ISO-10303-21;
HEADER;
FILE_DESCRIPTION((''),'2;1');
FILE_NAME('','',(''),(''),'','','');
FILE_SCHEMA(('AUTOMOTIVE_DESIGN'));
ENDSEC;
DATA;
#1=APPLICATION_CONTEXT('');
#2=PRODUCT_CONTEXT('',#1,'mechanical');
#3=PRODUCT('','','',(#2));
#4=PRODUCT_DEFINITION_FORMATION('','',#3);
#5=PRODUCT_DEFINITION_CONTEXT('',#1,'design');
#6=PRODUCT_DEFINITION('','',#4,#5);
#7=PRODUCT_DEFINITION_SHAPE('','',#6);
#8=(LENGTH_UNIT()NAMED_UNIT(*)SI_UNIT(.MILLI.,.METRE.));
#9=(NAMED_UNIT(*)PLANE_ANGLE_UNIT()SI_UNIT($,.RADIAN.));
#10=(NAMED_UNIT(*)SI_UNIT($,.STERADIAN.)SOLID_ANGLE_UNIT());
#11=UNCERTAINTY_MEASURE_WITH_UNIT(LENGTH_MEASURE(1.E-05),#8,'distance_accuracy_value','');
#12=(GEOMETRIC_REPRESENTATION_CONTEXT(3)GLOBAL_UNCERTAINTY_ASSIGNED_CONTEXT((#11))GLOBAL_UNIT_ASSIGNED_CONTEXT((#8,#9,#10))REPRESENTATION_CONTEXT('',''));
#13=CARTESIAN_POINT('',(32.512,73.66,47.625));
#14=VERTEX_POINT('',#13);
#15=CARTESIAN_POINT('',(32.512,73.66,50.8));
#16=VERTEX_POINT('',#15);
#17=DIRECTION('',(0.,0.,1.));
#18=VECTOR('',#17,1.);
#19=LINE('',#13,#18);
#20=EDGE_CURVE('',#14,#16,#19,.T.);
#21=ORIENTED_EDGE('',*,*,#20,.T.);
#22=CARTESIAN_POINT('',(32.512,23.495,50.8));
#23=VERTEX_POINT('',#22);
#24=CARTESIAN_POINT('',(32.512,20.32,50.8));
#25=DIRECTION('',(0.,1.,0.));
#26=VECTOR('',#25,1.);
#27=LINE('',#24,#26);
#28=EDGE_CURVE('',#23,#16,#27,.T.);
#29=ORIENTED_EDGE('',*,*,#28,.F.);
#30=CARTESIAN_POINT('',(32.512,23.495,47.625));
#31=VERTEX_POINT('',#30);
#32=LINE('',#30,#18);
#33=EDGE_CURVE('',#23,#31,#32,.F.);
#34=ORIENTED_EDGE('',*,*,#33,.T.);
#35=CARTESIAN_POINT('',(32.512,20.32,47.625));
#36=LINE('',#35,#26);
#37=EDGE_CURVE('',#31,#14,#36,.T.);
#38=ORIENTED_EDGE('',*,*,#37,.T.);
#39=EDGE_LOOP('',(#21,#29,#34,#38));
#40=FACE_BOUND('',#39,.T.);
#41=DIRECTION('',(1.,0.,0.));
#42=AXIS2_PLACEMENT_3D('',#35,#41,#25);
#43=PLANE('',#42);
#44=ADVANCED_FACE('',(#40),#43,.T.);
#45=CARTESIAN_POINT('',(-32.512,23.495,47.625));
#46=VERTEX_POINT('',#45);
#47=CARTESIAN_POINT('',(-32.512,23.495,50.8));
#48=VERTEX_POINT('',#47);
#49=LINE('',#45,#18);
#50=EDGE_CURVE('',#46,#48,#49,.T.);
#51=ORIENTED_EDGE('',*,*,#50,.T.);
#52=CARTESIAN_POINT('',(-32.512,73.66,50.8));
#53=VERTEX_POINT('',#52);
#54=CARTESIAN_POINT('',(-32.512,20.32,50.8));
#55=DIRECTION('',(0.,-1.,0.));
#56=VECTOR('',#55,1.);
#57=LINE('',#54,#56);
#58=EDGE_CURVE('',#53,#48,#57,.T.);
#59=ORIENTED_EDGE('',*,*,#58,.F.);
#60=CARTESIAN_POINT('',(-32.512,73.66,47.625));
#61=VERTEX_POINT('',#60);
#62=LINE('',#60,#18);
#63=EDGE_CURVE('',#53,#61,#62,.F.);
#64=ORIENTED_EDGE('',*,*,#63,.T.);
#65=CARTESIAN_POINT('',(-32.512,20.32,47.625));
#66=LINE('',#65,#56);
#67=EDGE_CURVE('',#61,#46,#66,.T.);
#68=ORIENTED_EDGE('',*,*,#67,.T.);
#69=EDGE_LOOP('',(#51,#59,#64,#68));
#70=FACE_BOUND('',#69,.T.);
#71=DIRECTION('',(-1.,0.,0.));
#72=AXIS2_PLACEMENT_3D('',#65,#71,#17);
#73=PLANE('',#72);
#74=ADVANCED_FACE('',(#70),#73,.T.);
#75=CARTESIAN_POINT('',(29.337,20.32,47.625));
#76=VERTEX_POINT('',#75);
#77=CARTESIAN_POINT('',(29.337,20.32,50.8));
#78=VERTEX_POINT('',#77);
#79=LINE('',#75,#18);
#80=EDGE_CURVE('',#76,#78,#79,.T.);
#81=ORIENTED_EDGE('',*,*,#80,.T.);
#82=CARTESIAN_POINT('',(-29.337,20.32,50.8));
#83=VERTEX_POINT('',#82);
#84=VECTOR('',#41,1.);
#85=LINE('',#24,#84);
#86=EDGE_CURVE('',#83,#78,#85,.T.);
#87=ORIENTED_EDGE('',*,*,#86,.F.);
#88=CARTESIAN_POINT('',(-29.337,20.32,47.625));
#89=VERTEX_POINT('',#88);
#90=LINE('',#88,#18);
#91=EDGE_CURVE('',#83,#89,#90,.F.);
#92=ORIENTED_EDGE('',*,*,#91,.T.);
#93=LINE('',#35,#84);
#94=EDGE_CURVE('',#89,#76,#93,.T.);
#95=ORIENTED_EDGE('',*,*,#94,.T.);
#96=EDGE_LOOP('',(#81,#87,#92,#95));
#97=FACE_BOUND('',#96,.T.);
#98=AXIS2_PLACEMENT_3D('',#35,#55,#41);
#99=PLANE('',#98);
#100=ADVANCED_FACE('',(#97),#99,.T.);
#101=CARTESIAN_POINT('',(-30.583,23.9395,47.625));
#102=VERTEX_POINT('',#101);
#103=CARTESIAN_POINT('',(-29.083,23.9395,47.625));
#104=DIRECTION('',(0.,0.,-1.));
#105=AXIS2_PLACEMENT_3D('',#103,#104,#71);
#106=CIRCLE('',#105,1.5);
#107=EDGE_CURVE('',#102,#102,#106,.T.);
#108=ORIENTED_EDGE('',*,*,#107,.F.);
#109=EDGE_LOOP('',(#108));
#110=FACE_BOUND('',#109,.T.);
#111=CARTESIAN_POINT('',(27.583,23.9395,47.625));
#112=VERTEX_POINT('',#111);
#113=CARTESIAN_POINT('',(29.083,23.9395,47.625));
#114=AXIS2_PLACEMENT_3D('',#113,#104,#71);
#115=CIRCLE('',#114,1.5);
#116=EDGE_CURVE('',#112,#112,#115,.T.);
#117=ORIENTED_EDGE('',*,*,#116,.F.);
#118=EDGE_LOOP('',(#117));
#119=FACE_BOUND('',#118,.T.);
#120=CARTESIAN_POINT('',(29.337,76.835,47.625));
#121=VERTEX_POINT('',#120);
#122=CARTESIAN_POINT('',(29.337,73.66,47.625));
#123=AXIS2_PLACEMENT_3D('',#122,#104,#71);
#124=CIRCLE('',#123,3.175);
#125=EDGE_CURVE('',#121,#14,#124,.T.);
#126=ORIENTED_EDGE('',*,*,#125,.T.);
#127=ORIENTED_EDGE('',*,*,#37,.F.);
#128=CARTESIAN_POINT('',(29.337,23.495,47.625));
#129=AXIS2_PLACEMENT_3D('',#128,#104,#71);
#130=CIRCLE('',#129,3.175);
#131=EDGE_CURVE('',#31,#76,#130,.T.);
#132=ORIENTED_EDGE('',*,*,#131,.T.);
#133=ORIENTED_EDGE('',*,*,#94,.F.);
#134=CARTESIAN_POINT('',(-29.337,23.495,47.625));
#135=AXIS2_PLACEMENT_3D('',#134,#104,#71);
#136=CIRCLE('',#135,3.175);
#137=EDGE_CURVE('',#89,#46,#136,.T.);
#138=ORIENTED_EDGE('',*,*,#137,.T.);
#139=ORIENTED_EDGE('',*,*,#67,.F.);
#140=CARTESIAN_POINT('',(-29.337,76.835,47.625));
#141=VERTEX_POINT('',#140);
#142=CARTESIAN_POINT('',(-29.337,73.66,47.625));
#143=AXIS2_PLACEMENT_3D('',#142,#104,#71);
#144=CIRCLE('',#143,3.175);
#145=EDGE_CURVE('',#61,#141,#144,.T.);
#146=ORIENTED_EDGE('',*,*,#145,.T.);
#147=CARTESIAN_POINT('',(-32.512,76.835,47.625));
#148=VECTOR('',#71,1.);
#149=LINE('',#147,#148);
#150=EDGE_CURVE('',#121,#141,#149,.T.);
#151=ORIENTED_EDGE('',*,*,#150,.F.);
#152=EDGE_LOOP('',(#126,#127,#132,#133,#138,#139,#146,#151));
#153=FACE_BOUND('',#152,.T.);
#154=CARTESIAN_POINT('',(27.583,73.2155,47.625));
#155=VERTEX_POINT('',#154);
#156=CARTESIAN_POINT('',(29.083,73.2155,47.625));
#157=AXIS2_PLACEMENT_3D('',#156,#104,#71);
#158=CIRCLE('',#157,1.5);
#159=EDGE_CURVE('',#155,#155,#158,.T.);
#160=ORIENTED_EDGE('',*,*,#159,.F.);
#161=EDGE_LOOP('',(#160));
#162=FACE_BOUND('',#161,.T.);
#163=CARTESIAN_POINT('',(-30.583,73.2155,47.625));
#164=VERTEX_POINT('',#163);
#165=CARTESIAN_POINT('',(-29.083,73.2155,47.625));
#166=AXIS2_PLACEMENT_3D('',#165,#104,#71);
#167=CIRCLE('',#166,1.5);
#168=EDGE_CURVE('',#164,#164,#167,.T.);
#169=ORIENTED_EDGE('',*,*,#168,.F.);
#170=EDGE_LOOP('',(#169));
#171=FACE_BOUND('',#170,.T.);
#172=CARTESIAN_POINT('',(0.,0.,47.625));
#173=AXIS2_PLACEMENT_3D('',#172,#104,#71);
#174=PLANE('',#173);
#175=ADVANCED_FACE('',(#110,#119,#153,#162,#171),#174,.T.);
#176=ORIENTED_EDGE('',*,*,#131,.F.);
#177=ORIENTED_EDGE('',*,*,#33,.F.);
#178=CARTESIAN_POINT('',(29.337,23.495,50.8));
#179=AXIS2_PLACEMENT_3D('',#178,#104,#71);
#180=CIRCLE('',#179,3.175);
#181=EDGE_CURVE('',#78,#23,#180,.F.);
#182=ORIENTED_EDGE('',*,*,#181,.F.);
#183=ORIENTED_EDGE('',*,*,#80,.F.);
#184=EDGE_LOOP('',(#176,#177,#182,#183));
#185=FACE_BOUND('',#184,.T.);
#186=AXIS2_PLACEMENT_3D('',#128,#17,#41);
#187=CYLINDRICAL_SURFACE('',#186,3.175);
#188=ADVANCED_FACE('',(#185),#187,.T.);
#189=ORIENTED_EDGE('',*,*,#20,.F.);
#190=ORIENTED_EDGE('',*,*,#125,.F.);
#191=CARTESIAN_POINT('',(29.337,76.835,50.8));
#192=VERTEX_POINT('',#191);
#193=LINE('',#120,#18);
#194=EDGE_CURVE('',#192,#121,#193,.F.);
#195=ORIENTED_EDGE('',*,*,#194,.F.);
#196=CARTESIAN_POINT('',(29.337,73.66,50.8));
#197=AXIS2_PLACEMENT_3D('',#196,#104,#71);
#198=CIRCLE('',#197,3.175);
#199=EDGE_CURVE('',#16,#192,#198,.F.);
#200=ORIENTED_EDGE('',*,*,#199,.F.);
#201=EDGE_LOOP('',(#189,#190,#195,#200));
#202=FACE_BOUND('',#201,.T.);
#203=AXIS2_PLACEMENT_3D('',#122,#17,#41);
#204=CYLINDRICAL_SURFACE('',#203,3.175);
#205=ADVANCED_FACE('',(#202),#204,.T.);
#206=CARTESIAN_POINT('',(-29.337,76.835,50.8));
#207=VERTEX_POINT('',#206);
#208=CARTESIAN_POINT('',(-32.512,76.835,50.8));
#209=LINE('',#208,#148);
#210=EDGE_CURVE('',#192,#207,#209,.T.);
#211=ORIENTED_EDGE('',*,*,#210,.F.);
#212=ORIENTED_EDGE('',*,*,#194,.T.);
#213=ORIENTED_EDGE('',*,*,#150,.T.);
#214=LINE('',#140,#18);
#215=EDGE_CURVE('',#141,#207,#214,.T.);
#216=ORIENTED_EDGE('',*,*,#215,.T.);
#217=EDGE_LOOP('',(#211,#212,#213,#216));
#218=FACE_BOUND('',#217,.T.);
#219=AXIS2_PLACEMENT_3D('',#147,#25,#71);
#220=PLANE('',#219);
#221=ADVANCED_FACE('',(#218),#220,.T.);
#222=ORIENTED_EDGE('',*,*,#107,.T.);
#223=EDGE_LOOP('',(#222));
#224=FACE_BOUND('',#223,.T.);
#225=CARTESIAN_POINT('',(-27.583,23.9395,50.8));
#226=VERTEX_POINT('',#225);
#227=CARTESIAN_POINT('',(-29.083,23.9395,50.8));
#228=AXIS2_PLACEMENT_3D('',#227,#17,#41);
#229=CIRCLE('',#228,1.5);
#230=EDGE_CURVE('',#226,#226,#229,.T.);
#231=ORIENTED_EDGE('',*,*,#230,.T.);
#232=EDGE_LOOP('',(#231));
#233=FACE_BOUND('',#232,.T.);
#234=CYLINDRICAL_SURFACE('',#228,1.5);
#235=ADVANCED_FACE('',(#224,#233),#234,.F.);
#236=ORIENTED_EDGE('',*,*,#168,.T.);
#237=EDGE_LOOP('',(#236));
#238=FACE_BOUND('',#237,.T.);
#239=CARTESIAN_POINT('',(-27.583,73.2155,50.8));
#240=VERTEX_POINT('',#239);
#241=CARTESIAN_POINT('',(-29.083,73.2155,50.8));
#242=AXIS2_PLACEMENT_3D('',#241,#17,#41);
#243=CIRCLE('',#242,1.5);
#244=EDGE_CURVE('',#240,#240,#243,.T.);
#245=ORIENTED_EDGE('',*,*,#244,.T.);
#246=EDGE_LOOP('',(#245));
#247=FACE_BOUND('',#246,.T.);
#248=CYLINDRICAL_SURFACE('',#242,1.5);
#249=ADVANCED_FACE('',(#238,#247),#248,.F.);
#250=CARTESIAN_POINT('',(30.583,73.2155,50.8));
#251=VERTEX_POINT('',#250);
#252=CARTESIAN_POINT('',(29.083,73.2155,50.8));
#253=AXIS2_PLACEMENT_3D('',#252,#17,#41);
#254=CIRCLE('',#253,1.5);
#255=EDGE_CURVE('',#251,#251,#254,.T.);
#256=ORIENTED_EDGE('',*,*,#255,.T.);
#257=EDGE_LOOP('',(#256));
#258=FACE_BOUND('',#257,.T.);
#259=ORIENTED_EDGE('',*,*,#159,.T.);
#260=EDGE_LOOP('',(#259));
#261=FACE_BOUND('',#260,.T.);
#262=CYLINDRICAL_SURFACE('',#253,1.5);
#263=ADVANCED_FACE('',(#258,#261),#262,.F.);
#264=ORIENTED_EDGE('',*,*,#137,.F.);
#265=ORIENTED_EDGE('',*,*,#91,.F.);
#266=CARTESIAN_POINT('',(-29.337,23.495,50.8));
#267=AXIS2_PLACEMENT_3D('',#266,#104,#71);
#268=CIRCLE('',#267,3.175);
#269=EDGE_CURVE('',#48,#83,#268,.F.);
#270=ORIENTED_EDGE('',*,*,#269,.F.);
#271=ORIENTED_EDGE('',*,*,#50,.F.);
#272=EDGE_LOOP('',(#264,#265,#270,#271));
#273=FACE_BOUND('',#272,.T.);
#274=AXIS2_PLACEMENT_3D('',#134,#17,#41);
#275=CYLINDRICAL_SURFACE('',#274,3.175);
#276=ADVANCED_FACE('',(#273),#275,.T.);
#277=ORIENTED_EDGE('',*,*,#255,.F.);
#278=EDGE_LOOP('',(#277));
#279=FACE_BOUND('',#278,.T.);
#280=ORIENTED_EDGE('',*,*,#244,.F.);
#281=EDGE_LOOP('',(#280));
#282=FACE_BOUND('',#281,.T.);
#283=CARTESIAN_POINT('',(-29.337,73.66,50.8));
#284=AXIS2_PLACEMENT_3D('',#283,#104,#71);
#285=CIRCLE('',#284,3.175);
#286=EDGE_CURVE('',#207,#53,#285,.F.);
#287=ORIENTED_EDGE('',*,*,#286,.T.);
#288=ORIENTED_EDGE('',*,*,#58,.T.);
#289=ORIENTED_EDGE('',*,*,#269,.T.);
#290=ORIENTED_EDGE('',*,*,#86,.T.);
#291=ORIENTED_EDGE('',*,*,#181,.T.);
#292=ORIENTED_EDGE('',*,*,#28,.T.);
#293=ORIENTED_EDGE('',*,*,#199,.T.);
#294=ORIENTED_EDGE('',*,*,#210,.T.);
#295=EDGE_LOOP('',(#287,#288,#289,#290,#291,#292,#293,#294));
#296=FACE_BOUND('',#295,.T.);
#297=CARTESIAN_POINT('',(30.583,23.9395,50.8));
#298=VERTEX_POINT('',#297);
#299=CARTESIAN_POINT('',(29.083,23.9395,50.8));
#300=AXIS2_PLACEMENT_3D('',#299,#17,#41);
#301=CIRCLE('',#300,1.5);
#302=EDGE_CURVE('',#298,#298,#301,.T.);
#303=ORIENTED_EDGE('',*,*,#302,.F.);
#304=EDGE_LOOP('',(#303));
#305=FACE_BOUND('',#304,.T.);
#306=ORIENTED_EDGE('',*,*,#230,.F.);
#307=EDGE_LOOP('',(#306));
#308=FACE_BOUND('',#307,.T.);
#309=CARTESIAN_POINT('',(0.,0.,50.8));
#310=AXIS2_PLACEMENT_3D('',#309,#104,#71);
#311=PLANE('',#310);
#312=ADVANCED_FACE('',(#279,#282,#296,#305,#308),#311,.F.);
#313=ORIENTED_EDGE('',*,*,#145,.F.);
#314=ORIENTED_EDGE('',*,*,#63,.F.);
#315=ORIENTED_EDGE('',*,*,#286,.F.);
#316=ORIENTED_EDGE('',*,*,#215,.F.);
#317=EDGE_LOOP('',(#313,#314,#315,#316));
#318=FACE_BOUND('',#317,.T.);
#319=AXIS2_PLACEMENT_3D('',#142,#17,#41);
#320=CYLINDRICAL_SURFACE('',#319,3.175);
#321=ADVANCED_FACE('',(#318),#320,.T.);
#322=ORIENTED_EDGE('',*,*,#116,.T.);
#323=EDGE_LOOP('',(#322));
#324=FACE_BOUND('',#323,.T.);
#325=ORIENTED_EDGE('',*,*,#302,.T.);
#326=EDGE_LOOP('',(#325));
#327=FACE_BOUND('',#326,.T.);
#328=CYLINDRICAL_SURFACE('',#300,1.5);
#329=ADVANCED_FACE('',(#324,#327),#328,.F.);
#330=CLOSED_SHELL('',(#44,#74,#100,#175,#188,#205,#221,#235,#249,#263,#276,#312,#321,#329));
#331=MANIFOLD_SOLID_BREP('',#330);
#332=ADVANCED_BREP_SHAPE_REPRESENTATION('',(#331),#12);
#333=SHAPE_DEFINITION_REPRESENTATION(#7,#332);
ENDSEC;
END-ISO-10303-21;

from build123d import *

# Parameters (mm, degrees)
SKETCH2_W                 = 65.024
SKETCH2_H                 = 56.515
BOSS_EXTRUDE1_DEPTH       = 3.175
F_3_0MM_DOWEL_HOLE1_D     = 3
F_3_0MM_DOWEL_HOLE1_DEPTH = 3.175
FILLET1_R                 = 3.175


with BuildPart() as part:
    # Sketch2 → Boss-Extrude1 (new body)
    with BuildSketch(Plane.XY.offset(50.8)):
        with Locations((0, 48.5775)):
            Rectangle(SKETCH2_W, SKETCH2_H)
    extrude(amount=-BOSS_EXTRUDE1_DEPTH)

    # Ø3.0mm Dowel Hole1
    with Locations(Plane.XY.offset(50.8)):
        with Locations((29.083, 73.2155), (29.083, 23.9395), (-29.083, 23.9395), (-29.083, 73.2155)):
            Hole(F_3_0MM_DOWEL_HOLE1_D / 2, depth=F_3_0MM_DOWEL_HOLE1_DEPTH)

    # Fillet1
    fillet1_edges = [part.edges().sort_by_distance(p)[0] for p in [
        (-32.512, 76.835, 49.2125),
        (32.512, 76.835, 49.2125),
        (32.512, 20.32, 49.2125),
        (-32.512, 20.32, 49.2125),
    ]]
    fillet(fillet1_edges, radius=FILLET1_R)


solid = part.part
